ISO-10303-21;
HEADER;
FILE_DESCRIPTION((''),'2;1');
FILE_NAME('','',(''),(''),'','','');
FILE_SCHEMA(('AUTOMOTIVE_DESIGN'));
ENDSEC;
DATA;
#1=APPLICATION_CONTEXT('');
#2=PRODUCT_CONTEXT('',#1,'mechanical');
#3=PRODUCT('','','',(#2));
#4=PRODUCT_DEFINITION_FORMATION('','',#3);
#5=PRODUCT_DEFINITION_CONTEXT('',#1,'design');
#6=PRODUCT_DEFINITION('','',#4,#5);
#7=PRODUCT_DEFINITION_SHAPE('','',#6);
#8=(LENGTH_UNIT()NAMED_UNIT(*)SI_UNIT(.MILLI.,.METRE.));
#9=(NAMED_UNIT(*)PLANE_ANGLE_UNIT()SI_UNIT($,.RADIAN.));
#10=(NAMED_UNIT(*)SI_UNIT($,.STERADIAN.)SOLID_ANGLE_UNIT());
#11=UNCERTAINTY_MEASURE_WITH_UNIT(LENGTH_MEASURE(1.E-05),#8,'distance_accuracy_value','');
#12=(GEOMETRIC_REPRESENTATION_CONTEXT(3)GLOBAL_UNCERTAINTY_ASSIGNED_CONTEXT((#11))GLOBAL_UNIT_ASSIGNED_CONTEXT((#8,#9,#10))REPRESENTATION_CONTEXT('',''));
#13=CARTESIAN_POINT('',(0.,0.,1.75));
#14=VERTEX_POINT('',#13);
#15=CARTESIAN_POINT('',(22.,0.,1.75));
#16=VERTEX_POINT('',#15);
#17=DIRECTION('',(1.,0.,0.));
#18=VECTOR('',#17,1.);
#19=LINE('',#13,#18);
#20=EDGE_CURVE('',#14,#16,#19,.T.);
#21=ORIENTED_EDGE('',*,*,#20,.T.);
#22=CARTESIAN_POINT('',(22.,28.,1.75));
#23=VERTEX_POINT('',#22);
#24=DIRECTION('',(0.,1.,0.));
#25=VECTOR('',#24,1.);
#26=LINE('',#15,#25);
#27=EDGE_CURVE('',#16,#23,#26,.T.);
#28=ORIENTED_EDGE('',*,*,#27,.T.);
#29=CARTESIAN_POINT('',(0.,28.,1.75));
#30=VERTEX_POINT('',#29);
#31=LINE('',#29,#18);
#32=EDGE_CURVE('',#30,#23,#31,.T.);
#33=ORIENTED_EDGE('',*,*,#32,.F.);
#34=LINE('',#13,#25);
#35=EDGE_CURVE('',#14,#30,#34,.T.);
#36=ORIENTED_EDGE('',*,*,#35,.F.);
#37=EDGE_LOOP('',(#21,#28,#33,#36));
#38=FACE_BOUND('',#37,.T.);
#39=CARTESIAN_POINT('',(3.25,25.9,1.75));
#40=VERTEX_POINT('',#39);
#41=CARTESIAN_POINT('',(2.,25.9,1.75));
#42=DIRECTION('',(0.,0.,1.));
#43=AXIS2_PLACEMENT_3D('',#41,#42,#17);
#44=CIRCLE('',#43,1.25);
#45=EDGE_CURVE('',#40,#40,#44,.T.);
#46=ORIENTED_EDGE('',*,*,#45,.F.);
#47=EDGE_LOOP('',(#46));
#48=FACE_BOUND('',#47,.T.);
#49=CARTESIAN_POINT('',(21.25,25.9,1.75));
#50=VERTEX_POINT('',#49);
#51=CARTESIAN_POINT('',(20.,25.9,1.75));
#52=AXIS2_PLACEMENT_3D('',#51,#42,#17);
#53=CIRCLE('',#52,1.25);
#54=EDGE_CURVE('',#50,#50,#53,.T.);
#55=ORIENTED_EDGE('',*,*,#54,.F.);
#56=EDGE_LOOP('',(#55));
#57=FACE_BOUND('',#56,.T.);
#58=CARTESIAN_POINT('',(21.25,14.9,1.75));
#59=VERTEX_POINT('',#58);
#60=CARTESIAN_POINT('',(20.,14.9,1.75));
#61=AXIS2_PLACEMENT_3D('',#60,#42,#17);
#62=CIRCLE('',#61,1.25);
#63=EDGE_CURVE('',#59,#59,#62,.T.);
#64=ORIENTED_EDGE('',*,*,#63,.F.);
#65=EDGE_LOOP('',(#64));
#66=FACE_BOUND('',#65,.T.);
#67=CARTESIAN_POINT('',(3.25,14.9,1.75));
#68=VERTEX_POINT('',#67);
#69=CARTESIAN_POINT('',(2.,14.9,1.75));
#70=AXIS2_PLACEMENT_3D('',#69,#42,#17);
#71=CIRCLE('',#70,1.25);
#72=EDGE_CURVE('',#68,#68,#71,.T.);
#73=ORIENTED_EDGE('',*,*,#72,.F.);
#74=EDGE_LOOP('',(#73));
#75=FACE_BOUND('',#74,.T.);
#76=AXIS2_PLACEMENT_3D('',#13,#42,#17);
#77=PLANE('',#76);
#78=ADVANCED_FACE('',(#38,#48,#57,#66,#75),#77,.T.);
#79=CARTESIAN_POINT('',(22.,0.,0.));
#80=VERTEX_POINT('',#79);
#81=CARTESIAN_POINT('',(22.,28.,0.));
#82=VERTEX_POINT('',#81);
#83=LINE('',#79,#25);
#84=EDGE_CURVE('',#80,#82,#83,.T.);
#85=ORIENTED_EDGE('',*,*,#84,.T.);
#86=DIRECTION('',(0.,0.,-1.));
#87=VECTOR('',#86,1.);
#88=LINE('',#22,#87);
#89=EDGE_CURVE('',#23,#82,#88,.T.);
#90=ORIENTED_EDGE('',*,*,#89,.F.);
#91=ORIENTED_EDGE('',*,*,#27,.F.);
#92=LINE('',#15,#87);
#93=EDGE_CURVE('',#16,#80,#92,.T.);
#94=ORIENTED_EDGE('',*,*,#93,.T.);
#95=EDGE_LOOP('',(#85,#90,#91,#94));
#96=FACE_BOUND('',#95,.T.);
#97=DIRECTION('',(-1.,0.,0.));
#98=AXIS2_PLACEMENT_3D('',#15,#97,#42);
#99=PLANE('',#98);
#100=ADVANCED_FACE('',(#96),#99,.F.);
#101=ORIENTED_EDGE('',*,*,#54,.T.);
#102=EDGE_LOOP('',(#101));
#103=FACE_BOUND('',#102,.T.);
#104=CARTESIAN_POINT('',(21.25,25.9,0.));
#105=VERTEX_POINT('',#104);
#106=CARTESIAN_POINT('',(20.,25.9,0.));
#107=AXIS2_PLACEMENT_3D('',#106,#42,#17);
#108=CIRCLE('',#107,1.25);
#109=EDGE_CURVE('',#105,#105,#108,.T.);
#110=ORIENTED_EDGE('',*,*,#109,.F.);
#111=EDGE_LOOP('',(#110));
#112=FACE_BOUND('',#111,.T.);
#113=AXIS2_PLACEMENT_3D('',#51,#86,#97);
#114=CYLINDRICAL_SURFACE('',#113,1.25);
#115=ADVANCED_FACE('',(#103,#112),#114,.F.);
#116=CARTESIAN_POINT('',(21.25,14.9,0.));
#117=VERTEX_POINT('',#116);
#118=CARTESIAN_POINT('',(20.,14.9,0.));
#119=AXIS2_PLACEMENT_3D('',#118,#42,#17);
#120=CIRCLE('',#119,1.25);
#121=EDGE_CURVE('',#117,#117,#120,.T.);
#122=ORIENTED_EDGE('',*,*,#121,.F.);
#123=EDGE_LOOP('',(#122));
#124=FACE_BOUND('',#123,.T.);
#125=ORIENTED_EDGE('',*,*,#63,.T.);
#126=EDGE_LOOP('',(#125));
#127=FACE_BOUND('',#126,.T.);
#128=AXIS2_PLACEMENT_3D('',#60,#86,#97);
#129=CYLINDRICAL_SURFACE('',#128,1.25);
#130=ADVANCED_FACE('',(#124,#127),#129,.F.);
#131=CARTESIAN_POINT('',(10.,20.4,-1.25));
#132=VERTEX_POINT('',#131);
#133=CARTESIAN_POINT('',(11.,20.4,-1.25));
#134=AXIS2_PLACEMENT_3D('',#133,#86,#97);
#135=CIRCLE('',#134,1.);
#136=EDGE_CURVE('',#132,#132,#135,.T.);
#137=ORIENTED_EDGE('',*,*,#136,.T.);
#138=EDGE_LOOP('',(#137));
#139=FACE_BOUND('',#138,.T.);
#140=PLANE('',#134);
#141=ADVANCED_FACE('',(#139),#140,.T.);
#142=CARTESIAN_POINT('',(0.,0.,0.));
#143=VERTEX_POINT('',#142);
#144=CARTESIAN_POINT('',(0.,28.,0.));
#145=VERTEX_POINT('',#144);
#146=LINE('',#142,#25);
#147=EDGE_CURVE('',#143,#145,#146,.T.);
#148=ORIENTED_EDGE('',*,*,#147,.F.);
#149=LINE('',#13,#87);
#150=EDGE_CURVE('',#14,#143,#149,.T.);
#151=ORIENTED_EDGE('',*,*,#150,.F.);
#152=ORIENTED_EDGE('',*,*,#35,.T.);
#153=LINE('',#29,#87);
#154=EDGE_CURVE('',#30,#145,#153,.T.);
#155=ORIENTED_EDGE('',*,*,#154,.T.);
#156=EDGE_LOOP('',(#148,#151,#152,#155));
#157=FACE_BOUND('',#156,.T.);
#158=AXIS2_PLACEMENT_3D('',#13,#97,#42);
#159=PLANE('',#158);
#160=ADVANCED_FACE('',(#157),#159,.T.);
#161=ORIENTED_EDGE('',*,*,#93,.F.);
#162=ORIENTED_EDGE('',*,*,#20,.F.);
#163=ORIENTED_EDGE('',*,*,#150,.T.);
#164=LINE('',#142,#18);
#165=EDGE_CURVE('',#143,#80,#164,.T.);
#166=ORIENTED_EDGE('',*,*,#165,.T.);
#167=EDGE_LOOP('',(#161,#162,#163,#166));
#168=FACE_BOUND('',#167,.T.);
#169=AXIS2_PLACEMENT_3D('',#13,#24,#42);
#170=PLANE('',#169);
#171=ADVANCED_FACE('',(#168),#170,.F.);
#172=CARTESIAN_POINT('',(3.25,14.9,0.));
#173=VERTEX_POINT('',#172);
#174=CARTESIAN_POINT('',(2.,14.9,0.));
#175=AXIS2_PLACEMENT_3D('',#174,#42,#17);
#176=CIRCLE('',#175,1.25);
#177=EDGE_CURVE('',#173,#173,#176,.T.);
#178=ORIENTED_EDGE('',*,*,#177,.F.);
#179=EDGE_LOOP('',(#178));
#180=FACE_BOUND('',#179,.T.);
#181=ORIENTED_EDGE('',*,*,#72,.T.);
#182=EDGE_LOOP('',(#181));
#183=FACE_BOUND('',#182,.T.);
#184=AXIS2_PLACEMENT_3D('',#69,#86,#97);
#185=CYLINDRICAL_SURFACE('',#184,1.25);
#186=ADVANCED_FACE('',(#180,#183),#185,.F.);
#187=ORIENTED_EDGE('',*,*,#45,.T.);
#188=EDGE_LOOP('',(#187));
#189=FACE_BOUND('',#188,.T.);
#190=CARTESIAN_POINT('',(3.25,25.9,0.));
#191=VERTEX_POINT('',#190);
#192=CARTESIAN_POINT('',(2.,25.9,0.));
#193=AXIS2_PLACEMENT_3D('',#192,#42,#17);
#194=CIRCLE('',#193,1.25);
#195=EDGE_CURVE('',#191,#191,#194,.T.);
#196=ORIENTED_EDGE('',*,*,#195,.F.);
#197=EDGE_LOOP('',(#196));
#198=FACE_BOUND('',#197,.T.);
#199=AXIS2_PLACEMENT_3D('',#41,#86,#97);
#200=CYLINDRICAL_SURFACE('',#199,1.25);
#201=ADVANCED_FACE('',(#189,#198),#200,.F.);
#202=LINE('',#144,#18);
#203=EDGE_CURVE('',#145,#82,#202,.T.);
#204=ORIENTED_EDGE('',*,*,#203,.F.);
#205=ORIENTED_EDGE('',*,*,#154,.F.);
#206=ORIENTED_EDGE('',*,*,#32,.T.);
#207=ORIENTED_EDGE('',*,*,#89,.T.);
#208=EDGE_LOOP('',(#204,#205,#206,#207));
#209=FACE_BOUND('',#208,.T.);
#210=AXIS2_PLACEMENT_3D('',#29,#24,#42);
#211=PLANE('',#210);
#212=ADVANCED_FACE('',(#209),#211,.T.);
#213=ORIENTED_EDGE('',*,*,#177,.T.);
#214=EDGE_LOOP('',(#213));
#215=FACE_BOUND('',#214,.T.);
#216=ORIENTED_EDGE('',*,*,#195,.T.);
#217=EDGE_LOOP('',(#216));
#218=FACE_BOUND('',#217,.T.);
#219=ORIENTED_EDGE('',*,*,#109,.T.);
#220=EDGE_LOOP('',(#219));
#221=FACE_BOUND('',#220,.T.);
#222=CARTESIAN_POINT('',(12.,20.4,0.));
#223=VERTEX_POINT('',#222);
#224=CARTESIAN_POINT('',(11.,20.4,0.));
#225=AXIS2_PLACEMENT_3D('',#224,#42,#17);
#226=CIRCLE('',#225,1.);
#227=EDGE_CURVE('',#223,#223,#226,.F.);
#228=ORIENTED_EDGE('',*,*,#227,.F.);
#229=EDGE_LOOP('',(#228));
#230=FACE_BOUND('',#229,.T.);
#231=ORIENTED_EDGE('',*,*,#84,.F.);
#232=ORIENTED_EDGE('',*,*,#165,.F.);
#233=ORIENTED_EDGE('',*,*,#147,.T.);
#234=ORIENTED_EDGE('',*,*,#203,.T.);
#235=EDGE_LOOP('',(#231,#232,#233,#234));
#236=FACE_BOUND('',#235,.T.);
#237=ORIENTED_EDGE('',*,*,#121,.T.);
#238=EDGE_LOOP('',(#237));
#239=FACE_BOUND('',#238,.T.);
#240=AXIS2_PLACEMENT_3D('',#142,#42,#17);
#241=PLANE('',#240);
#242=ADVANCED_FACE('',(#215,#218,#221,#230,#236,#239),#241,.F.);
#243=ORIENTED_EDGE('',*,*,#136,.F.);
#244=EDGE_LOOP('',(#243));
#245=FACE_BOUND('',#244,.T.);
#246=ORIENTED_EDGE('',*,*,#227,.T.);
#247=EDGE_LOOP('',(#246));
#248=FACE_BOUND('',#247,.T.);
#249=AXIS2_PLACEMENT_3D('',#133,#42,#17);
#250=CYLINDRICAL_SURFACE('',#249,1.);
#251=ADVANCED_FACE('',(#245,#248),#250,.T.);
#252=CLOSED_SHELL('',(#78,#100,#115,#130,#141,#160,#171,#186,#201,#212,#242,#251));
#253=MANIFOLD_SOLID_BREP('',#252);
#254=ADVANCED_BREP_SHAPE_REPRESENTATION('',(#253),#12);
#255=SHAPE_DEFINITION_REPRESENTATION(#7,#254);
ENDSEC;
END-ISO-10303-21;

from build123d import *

# Parameters (mm, degrees)
SKETCH1_W           = 22
SKETCH1_H           = 28
SKETCH1_R           = 1.25
BOSS_EXTRUDE1_DEPTH = 1.75
SKETCH2_R           = 1
BOSS_EXTRUDE2_DEPTH = 1.25


with BuildPart() as part:
    # Sketch1 → Boss-Extrude1 (new body)
    with BuildSketch(Plane.XY):
        with Locations((11, 14)):
            Rectangle(SKETCH1_W, SKETCH1_H)
        with Locations((2, 25.9)):
            Circle(SKETCH1_R, mode=Mode.SUBTRACT)
        with Locations((2, 14.9)):
            Circle(SKETCH1_R, mode=Mode.SUBTRACT)
        with Locations((20, 14.9)):
            Circle(SKETCH1_R, mode=Mode.SUBTRACT)
        with Locations((20, 25.9)):
            Circle(SKETCH1_R, mode=Mode.SUBTRACT)
    extrude(amount=BOSS_EXTRUDE1_DEPTH)

    # Sketch2 → Boss-Extrude2 (add)
    with BuildSketch(Plane(origin=(0, 0, 0), x_dir=(-1, 0, 0), z_dir=(0, 0, -1))):
        with Locations(Location((-11, 20.4, 0), (0, 0, 180))):
            Circle(SKETCH2_R)
    extrude(amount=BOSS_EXTRUDE2_DEPTH)


solid = part.part
